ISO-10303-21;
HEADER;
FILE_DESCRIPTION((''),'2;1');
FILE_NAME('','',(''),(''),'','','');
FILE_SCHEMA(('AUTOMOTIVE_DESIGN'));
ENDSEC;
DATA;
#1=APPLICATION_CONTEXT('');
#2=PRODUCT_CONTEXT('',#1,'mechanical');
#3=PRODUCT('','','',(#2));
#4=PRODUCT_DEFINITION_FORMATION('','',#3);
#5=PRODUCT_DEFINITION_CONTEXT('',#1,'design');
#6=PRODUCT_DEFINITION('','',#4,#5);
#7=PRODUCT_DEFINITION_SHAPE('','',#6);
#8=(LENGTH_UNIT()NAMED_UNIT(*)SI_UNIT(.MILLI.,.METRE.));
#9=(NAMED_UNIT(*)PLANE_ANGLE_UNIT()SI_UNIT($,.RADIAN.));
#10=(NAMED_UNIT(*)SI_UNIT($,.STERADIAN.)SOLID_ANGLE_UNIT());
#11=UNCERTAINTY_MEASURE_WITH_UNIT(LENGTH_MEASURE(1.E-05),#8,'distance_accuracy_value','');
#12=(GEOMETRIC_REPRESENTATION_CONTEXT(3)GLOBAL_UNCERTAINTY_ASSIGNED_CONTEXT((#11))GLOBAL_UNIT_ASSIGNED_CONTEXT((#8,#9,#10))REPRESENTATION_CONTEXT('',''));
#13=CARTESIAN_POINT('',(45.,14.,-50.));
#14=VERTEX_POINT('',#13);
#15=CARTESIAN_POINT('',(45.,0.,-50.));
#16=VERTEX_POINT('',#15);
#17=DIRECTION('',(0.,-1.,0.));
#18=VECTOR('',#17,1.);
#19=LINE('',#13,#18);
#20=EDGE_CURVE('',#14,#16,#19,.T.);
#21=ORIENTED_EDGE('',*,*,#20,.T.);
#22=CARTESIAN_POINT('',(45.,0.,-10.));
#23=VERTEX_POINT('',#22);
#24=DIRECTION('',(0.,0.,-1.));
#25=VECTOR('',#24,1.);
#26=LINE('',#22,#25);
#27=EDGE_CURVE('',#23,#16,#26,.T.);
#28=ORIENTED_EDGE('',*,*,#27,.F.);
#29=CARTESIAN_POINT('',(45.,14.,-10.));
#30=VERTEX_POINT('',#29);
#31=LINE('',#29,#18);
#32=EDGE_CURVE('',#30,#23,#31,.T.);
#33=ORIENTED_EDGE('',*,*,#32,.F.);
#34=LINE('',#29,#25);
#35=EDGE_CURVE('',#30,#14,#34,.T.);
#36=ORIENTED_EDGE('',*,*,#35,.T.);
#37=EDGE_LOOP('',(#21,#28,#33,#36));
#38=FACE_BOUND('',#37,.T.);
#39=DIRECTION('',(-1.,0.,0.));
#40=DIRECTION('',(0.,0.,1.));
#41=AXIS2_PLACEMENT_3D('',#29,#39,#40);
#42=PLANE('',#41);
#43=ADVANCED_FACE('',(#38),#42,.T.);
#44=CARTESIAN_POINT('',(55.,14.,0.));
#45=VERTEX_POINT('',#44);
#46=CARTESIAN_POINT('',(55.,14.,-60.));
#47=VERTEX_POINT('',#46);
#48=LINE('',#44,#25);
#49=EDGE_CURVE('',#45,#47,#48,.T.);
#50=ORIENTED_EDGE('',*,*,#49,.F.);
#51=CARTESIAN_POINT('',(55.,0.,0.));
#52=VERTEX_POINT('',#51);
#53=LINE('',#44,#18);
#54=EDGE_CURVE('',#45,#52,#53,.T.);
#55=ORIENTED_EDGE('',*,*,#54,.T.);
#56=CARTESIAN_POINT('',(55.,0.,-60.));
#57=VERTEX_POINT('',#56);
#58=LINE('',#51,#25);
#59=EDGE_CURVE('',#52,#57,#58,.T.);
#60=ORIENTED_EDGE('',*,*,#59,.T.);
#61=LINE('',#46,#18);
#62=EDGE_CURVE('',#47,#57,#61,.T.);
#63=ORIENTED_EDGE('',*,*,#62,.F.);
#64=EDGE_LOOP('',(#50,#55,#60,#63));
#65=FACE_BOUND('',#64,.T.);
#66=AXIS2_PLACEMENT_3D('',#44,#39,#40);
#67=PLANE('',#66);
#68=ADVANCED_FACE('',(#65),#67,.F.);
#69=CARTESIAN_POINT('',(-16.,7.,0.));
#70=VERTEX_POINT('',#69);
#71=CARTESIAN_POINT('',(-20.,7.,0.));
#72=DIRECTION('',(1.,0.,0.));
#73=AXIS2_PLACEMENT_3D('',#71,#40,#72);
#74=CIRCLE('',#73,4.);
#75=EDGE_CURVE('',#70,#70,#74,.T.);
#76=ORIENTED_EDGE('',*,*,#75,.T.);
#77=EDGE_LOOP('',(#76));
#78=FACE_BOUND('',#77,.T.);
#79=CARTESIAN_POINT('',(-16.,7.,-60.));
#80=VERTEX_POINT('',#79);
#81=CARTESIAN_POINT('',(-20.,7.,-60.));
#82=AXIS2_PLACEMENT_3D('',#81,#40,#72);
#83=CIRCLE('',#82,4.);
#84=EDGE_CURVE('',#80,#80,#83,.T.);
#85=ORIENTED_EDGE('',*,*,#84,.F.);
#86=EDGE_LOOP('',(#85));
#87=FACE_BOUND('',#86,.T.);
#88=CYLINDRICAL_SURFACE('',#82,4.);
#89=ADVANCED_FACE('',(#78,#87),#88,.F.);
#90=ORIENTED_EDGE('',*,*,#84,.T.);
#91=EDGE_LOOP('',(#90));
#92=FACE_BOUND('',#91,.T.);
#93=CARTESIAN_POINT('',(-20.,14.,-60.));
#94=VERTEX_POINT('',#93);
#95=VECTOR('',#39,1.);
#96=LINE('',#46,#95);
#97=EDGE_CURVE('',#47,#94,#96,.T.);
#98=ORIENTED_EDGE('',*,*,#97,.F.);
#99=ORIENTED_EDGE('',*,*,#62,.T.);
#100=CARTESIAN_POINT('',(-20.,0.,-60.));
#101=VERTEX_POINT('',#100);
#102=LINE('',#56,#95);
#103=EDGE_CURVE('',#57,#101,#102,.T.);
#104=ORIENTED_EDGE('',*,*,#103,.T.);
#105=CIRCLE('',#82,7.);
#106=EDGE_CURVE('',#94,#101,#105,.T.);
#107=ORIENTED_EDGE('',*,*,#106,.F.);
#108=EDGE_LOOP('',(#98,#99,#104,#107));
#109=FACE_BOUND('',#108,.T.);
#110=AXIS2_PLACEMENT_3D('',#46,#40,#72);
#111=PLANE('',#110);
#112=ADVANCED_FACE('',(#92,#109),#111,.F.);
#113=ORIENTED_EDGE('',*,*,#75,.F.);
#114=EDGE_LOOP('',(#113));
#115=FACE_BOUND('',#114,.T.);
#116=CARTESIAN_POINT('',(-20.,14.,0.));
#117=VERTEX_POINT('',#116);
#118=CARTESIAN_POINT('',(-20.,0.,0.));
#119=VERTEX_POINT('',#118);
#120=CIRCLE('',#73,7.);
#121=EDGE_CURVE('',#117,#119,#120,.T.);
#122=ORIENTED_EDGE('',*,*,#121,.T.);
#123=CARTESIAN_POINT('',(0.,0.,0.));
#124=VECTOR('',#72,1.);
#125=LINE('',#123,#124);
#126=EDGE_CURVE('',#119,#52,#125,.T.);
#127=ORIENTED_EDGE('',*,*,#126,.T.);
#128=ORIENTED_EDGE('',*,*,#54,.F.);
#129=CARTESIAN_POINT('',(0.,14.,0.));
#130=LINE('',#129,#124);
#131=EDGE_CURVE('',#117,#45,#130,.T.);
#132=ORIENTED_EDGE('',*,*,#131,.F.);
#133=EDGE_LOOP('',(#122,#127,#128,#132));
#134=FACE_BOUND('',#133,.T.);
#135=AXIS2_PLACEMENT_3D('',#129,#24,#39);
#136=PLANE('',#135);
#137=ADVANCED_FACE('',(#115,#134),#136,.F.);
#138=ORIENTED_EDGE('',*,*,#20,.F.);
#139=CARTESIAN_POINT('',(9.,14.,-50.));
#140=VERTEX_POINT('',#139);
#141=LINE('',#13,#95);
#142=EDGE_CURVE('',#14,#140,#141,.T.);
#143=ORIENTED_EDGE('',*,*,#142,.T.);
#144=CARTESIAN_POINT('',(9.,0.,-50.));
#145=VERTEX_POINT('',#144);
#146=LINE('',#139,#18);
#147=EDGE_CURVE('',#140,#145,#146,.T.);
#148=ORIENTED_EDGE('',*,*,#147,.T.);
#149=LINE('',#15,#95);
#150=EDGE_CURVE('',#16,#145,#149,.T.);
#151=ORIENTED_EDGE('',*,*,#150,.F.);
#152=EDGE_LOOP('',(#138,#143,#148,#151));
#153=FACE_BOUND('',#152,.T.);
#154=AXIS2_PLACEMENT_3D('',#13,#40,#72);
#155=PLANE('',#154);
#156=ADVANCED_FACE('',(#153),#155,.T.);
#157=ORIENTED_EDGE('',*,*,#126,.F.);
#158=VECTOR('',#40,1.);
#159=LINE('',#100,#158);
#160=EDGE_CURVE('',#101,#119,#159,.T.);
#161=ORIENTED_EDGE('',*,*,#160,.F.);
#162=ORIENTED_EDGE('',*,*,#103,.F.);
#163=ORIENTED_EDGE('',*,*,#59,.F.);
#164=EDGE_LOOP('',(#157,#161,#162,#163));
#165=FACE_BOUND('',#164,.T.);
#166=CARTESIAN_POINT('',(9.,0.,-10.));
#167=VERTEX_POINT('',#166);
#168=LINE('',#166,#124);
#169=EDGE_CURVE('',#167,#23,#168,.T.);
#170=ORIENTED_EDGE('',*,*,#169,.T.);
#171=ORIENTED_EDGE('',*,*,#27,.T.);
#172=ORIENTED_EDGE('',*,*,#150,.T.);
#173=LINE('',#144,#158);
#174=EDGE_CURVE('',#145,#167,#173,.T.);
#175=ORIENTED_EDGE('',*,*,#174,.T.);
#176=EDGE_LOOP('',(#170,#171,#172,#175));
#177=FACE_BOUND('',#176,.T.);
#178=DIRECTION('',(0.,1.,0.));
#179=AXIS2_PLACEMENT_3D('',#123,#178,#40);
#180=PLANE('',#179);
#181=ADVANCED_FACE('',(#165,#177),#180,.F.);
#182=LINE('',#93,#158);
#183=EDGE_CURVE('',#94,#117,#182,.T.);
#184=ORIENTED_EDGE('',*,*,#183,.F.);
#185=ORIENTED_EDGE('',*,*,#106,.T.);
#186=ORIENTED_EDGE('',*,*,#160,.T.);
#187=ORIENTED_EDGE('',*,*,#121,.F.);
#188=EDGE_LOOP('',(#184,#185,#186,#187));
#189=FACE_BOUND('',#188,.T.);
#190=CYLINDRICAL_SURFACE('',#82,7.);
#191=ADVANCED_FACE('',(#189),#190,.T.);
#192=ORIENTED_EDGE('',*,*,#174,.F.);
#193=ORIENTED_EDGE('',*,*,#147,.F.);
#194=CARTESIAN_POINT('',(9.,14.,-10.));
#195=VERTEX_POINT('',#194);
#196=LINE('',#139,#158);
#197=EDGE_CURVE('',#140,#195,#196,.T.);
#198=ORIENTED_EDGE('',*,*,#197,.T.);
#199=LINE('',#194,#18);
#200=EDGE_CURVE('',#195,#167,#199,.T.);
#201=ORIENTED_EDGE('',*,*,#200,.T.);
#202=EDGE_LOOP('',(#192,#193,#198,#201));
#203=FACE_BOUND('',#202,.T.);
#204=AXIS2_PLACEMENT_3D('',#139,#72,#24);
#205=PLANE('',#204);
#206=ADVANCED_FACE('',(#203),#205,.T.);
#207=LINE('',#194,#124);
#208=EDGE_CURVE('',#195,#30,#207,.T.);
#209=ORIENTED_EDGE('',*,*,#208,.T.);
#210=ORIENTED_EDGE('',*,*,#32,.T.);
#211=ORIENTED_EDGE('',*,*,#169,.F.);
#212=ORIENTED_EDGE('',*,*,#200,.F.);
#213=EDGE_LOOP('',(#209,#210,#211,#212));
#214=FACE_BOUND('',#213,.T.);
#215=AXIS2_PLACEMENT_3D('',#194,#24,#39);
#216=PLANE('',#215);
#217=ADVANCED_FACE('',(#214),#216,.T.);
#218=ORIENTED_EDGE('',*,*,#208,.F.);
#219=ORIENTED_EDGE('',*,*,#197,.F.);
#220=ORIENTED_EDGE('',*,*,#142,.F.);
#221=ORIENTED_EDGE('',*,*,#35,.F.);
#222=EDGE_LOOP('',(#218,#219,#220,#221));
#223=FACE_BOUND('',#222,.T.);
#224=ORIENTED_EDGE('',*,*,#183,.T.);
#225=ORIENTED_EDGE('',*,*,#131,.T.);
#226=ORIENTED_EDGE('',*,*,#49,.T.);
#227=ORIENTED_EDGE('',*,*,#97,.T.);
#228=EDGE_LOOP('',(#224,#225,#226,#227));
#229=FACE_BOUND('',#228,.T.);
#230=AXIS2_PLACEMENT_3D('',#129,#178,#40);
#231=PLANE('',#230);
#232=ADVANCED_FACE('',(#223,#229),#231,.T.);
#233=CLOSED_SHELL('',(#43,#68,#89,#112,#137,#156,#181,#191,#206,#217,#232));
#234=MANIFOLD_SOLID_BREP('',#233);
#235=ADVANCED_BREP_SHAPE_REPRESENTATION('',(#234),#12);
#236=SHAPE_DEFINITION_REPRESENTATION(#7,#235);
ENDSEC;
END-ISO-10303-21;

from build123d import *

# Parameters (mm, degrees)
SKETCH_1_W      = 55
SKETCH_1_H      = 60
SKETCH_1_W_2    = 36
SKETCH_1_H_2    = 40
EXTRUDE_1_DEPTH = 14
SKETCH_2_R      = 4
EXTRUDE_2_DEPTH = 60


with BuildPart() as part:
    # 草图1 → 凸台-拉伸1 (new body)
    with BuildSketch(Plane(origin=(0, 0, 0), x_dir=(1, 0, 0), z_dir=(0, 1, 0))):
        with Locations((27.5, 30)):
            Rectangle(SKETCH_1_W, SKETCH_1_H)
        with Locations((27, 30)):
            Rectangle(SKETCH_1_W_2, SKETCH_1_H_2, mode=Mode.SUBTRACT)
    extrude(amount=EXTRUDE_1_DEPTH)

    # 草图2 → 凸台-拉伸2 (add)
    with BuildSketch(Plane.XY):
        with BuildLine():
            Line((0, 0), (-20, 0))
            ThreePointArc((-20, 0), (-27, 7), (-20, 14))
            Line((-20, 14), (0, 14))
            Line((0, 14), (0, 0))
        make_face()
        with Locations((-20, 7)):
            Circle(SKETCH_2_R, mode=Mode.SUBTRACT)
    extrude(amount=-EXTRUDE_2_DEPTH)


solid = part.part
